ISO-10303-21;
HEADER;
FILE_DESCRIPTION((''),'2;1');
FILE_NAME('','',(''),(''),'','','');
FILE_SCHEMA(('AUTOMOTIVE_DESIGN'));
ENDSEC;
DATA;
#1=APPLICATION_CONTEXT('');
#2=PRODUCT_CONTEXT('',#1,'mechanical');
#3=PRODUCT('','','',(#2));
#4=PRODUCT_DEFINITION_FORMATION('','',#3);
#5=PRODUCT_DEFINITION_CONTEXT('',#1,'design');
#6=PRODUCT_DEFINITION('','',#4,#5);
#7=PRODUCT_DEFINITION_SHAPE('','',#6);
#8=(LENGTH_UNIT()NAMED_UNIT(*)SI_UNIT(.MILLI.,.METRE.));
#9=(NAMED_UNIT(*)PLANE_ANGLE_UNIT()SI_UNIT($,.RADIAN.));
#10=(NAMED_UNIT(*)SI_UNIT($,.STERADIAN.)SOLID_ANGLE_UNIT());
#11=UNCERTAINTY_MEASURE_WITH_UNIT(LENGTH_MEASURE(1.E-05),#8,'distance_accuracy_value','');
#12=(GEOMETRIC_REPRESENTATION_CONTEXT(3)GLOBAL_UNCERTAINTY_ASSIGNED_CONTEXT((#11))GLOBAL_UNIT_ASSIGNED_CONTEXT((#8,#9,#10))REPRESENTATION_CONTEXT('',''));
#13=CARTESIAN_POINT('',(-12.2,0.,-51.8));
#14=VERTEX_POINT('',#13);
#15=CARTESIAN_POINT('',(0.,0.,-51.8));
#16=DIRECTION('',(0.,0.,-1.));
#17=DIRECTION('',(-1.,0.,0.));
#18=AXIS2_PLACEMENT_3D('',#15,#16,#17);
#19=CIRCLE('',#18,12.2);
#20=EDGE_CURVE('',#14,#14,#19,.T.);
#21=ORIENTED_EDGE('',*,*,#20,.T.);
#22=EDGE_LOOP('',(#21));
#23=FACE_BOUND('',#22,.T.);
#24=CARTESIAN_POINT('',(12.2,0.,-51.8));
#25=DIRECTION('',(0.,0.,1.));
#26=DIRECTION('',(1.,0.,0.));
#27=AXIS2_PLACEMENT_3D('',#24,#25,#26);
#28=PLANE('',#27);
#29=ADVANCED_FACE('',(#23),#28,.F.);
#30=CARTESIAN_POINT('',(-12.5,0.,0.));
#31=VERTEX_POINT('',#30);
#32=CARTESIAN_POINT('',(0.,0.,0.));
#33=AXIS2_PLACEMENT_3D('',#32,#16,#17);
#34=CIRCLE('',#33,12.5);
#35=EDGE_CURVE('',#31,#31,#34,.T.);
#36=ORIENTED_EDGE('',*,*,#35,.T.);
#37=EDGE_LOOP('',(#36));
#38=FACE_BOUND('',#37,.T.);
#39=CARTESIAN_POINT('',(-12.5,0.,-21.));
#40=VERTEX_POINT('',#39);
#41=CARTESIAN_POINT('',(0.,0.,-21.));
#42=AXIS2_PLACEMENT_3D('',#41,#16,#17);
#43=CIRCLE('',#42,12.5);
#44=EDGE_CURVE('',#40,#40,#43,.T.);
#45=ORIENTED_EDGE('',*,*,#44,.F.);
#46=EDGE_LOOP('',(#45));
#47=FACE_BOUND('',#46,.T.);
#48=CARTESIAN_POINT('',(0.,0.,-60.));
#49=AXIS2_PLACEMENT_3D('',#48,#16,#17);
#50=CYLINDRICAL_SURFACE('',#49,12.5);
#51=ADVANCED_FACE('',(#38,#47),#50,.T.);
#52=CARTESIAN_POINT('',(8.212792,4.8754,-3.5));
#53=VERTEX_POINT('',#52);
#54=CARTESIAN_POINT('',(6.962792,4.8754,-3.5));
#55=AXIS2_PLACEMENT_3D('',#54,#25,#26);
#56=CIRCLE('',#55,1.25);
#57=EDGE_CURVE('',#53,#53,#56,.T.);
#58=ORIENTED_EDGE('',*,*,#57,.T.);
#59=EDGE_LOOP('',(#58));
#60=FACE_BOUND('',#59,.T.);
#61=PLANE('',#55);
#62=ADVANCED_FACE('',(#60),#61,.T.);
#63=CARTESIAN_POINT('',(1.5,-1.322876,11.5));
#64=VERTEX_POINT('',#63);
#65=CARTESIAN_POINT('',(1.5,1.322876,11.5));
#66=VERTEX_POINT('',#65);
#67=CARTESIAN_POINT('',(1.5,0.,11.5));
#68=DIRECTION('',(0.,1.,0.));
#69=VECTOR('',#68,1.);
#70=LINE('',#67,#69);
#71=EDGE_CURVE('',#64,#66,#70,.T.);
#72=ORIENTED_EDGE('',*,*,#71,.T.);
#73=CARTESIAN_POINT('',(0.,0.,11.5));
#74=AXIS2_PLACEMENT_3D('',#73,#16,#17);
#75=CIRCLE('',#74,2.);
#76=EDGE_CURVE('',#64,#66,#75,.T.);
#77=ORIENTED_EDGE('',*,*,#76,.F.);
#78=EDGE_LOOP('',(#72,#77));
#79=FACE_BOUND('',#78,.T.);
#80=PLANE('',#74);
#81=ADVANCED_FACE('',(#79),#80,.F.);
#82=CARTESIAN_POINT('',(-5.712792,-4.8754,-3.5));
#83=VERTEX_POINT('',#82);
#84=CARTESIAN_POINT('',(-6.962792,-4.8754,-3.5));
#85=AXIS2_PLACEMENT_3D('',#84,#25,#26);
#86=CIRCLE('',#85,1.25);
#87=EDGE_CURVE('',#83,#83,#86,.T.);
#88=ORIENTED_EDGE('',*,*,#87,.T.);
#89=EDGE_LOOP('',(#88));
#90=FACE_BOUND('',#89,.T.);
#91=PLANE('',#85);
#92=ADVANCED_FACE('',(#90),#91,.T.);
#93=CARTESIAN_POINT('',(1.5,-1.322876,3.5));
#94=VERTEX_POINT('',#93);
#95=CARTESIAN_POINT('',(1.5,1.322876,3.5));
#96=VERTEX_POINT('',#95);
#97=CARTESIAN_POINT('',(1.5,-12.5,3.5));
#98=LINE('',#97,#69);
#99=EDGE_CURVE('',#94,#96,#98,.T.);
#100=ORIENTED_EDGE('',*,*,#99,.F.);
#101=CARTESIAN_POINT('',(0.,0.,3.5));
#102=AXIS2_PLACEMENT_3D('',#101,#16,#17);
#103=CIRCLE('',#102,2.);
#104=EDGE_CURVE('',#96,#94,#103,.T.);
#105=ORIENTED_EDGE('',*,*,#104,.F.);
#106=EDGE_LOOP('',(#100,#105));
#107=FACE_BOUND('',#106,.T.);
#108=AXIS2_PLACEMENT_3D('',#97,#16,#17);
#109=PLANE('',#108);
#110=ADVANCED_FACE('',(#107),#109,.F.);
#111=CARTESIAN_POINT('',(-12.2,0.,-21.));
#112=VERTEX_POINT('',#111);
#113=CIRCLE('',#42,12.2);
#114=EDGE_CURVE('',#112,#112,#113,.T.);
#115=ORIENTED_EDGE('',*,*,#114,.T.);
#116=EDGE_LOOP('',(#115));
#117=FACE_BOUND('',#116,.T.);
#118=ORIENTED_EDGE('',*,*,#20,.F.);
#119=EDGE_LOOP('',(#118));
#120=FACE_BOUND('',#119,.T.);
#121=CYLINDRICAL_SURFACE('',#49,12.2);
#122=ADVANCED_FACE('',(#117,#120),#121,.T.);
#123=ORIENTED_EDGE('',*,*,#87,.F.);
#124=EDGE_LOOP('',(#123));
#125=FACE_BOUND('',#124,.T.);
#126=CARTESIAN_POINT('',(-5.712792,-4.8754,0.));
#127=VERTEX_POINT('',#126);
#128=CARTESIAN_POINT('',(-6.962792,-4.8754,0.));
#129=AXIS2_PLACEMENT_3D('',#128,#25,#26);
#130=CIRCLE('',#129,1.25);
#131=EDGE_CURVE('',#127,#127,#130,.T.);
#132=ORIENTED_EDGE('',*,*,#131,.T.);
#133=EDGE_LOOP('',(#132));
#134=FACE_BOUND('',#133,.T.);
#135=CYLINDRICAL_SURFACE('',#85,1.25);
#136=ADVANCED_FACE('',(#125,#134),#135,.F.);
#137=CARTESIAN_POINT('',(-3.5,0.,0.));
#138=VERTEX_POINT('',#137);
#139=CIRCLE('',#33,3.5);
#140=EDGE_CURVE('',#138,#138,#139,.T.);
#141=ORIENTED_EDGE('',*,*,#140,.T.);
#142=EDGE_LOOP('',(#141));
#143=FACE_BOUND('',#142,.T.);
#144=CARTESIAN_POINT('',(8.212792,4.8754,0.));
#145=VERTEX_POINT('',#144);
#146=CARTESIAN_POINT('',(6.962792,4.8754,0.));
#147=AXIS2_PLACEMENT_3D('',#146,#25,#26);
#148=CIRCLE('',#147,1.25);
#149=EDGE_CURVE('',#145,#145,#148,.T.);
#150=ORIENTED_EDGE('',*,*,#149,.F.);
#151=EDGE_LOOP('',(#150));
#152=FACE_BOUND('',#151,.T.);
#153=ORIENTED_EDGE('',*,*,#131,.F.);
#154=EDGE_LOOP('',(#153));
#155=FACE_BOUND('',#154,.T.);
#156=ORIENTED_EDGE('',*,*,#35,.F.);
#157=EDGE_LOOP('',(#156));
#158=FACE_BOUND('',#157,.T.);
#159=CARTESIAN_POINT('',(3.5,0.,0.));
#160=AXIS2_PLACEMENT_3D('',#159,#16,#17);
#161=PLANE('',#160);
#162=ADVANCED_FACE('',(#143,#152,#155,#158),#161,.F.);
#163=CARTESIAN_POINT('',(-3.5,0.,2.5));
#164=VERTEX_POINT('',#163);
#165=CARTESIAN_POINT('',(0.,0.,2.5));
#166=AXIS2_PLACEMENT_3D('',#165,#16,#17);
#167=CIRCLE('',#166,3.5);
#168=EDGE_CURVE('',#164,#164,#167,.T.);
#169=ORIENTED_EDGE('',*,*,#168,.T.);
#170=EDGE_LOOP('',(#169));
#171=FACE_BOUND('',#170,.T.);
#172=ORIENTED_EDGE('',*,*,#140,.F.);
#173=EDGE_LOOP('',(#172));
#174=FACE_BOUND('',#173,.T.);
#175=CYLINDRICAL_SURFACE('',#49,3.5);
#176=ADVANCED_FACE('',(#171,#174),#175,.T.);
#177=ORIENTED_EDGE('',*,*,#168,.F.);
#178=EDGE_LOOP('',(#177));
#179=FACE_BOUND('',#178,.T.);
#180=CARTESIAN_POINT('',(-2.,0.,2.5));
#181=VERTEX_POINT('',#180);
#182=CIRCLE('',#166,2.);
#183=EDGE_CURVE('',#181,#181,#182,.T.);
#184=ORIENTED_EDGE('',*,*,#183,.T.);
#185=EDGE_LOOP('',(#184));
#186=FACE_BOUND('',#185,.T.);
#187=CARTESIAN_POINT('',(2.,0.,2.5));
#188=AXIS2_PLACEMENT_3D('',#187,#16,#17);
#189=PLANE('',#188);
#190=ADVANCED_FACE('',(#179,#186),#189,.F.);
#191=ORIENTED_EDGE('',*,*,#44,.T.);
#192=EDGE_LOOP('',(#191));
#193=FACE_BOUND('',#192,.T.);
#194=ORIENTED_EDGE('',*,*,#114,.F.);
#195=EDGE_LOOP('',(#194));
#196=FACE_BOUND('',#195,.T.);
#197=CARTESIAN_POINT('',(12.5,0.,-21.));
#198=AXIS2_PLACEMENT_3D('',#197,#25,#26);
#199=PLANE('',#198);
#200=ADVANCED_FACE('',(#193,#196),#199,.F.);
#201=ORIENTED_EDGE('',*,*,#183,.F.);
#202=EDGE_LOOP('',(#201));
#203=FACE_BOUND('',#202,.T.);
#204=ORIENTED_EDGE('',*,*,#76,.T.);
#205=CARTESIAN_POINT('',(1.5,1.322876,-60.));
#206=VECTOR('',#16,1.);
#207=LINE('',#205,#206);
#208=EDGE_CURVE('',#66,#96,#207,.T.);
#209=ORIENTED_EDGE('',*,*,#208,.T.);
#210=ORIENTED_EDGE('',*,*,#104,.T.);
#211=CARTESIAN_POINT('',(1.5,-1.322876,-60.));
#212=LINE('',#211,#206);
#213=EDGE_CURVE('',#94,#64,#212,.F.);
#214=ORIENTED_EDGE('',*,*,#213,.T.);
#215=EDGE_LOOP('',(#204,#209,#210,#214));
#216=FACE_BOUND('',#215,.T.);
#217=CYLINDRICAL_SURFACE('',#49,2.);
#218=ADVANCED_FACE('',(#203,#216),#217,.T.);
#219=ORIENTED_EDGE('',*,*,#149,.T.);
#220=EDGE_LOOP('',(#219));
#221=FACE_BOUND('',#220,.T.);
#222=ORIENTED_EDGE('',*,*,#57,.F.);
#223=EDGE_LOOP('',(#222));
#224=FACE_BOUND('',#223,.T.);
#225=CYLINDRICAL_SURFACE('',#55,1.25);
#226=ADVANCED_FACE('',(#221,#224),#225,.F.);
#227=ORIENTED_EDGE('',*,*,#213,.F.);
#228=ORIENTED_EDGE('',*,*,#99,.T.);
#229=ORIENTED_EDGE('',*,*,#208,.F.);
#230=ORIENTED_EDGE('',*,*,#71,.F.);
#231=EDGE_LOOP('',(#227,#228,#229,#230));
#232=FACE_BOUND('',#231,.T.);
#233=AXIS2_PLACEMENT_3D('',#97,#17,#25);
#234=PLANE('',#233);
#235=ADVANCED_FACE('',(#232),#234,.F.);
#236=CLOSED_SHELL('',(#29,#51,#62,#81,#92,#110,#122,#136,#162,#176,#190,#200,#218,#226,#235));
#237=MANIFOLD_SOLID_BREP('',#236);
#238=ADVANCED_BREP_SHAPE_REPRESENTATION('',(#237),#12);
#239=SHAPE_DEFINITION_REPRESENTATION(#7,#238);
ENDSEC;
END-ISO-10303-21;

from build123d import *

# Parameters (mm, degrees)
SHAFT_D_FLAT_DEPTH      = 55.733353634
SHAFT_D_FLAT_DEPTH_BACK = 55.733353634
SKETCH2_W               = 1.5
SKETCH2_H               = 8.5
SKETCH3_R               = 1.25
M3_MOUNTING_HOLES_DEPTH = 3.5


with BuildPart() as part:
    # Sketch1 → Motor Body (revolve)
    with BuildSketch(Plane(origin=(0, 0, 0), x_dir=(-1, 0, 0), z_dir=(0, 1, 0))):
        Polygon((0, 11.5), (-2, 11.5), (-2, 2.5), (-3.5, 2.5), (-3.5, 0), (-12.5, 0), (-12.5, -21), (-12.2, -21), (-12.2, -51.8), (0, -51.8), align=None)
    revolve(axis=Axis((0, 0, -60), (0, 0, 1)))

    # Sketch2 → Shaft D-Flat (cut, two sides: drawn at the far end of the back side and taken through both)
    with BuildSketch(Plane(origin=(0, 0, 0), x_dir=(-1, 0, 0), z_dir=(0, 1, 0)).offset(-SHAFT_D_FLAT_DEPTH_BACK)):
        with Locations((-2.25, 7.75)):
            Rectangle(SKETCH2_W, SKETCH2_H)
    extrude(amount=SHAFT_D_FLAT_DEPTH + SHAFT_D_FLAT_DEPTH_BACK, mode=Mode.SUBTRACT)

    # Sketch3 → M3 Mounting Holes (cut)
    with BuildSketch(Plane(origin=(0, 0, 0), x_dir=(0, 1, 0), z_dir=(0, 0, 1))):
        with Locations((4.875399709, -6.962792376)):
            Circle(SKETCH3_R)
        with Locations((-4.875399709, 6.962792376)):
            Circle(SKETCH3_R)
    extrude(amount=-M3_MOUNTING_HOLES_DEPTH, mode=Mode.SUBTRACT)


solid = part.part
